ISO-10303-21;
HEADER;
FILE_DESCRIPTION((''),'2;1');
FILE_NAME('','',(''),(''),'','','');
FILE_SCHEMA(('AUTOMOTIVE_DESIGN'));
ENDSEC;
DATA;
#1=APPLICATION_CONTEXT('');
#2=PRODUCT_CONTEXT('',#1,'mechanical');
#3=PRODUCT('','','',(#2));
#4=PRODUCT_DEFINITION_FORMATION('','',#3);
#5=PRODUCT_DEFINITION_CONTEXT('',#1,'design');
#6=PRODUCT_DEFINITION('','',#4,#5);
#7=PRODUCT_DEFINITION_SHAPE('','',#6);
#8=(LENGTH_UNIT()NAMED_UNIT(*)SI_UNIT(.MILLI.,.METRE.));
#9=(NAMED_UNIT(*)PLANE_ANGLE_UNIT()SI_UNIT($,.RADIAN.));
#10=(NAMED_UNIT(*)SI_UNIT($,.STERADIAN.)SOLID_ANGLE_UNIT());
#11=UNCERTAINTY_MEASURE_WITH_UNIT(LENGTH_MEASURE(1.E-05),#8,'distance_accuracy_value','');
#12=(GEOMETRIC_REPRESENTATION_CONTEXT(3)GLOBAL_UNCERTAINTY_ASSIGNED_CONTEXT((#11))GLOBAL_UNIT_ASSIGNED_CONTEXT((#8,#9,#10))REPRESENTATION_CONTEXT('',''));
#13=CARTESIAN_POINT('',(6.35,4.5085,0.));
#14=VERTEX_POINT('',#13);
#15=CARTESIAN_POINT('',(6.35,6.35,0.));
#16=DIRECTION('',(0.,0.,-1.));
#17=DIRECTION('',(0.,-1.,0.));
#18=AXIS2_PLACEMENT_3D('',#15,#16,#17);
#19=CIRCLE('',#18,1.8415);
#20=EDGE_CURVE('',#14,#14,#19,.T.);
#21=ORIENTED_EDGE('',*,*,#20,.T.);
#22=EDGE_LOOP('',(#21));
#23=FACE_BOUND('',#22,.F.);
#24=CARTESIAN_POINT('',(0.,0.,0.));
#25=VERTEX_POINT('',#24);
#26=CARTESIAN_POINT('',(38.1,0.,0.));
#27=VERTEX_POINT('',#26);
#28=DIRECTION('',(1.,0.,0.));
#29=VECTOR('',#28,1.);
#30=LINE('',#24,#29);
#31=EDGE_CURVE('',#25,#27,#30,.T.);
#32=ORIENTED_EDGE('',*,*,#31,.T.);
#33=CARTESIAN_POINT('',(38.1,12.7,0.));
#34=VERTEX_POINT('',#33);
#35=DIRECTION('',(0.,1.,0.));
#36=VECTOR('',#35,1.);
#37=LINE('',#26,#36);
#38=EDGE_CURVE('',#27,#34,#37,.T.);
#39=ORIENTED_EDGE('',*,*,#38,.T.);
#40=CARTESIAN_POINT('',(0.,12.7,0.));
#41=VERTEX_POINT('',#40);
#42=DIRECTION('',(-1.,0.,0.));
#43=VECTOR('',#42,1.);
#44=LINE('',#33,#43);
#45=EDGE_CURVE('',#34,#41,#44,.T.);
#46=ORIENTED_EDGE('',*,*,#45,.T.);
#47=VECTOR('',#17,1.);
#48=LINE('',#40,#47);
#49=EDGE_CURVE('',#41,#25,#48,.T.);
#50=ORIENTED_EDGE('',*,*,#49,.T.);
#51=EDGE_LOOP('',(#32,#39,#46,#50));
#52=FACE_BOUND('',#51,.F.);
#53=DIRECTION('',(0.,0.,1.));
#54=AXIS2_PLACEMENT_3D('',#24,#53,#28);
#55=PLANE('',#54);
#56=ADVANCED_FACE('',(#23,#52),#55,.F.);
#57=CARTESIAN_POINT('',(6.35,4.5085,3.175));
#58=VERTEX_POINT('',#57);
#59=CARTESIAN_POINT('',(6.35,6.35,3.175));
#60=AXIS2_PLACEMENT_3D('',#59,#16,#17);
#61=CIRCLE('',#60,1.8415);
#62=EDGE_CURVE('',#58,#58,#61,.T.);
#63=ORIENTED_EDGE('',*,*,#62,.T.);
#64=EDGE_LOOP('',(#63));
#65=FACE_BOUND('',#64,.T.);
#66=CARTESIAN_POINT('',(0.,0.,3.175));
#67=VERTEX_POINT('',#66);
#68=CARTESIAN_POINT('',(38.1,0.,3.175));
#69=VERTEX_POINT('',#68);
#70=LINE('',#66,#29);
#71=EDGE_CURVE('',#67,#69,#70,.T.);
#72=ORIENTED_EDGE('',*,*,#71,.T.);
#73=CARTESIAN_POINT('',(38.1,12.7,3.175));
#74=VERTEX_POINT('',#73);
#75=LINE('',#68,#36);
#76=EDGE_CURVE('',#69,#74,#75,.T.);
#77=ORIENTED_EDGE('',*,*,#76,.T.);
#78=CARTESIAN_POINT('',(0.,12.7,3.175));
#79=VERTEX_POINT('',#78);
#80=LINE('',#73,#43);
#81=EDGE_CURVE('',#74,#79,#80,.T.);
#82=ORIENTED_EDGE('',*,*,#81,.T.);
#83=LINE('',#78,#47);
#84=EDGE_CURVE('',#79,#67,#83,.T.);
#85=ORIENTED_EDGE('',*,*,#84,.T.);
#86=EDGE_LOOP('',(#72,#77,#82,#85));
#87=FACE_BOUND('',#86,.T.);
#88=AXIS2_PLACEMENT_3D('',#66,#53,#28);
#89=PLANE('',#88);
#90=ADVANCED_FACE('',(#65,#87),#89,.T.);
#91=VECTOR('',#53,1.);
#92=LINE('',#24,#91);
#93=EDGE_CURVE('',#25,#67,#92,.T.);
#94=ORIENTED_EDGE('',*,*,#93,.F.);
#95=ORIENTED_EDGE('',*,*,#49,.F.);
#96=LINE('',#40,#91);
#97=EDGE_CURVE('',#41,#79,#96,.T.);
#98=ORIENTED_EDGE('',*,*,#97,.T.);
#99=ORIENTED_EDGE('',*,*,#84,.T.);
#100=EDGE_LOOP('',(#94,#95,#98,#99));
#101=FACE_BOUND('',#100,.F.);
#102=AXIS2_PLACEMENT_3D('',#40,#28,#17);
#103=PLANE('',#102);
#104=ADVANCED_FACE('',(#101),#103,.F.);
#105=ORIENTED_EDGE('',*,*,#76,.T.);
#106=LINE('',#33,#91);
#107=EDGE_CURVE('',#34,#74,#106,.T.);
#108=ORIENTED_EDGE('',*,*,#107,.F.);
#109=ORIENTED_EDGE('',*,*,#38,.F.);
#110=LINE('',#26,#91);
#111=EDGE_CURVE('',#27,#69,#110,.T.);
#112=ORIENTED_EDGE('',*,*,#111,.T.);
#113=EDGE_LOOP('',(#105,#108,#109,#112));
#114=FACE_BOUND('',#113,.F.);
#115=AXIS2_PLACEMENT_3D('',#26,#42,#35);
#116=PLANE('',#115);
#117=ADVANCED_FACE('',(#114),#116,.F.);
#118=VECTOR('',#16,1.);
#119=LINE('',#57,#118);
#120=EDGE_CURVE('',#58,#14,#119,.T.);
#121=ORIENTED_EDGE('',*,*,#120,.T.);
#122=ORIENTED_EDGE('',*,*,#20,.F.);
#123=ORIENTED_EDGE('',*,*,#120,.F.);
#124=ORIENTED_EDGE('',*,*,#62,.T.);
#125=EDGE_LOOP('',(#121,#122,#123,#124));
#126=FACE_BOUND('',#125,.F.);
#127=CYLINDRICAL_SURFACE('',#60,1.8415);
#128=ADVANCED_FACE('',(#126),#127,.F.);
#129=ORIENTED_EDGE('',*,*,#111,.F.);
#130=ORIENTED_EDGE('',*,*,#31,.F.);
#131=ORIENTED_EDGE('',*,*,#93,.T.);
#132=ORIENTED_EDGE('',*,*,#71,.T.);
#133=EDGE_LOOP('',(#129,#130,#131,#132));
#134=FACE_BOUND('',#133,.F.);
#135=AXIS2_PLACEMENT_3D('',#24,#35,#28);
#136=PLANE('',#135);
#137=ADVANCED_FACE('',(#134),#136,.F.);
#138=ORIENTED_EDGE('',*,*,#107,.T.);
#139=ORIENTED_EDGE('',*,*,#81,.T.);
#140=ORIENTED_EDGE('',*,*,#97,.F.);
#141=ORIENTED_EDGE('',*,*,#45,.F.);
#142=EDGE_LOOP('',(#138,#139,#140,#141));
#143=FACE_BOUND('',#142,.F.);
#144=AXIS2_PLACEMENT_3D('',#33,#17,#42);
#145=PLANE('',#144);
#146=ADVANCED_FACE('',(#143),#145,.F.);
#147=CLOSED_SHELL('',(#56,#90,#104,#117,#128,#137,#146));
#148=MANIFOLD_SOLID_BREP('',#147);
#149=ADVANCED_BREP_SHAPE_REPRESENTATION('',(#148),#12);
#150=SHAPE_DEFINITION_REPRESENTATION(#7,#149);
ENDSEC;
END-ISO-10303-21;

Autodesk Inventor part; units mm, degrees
ref_plane "YZ Plane" through (0, 0, 0) normal (1, 0, 0) x (0, 1, 0)
ref_plane "XZ Plane" through (0, 0, 0) normal (0, 1, 0) x (-1, 0, 0)
ref_plane "XY Plane" through (0, 0, 0) normal (0, 0, 1) x (1, 0, 0)
sketch "Sketch1" plane through (0, 0, 0) normal (0, 0, 1) x (1, 0, 0)
  line L0 (0, 0) -> (38.1, 0)
  line L1 (38.1, 0) -> (38.1, 12.7)
  line L2 (38.1, 12.7) -> (0, 12.7)
  line L3 (0, 12.7) -> (0, 0)
  dimension "d0" = 38.1
  dimension "d1" = 12.7
extrude "Extrusion1" add sketch "Sketch1" along normal blind 3.175
sketch "Sketch2" plane through (0, 0, 3.175) normal (0, 0, 1) x (1, 0, 0)
  line L0 (38.1, 12.7) -> (0, 12.7) projected
  line L1 (0, 12.7) -> (0, 0) projected
  point P0 (6.35, 6.35)
  dimension "d4" = 6.35
  dimension "d5" = 6.35
hole "Hole1" at (6.35, 6.35, 3.175) direction (0, 0, -1) diameter 3.683 end through all thread size "10-24 UNC" class "2B" standard "ANSI Unified Screw Threads"
properties part number "RollerSquareBracket"
